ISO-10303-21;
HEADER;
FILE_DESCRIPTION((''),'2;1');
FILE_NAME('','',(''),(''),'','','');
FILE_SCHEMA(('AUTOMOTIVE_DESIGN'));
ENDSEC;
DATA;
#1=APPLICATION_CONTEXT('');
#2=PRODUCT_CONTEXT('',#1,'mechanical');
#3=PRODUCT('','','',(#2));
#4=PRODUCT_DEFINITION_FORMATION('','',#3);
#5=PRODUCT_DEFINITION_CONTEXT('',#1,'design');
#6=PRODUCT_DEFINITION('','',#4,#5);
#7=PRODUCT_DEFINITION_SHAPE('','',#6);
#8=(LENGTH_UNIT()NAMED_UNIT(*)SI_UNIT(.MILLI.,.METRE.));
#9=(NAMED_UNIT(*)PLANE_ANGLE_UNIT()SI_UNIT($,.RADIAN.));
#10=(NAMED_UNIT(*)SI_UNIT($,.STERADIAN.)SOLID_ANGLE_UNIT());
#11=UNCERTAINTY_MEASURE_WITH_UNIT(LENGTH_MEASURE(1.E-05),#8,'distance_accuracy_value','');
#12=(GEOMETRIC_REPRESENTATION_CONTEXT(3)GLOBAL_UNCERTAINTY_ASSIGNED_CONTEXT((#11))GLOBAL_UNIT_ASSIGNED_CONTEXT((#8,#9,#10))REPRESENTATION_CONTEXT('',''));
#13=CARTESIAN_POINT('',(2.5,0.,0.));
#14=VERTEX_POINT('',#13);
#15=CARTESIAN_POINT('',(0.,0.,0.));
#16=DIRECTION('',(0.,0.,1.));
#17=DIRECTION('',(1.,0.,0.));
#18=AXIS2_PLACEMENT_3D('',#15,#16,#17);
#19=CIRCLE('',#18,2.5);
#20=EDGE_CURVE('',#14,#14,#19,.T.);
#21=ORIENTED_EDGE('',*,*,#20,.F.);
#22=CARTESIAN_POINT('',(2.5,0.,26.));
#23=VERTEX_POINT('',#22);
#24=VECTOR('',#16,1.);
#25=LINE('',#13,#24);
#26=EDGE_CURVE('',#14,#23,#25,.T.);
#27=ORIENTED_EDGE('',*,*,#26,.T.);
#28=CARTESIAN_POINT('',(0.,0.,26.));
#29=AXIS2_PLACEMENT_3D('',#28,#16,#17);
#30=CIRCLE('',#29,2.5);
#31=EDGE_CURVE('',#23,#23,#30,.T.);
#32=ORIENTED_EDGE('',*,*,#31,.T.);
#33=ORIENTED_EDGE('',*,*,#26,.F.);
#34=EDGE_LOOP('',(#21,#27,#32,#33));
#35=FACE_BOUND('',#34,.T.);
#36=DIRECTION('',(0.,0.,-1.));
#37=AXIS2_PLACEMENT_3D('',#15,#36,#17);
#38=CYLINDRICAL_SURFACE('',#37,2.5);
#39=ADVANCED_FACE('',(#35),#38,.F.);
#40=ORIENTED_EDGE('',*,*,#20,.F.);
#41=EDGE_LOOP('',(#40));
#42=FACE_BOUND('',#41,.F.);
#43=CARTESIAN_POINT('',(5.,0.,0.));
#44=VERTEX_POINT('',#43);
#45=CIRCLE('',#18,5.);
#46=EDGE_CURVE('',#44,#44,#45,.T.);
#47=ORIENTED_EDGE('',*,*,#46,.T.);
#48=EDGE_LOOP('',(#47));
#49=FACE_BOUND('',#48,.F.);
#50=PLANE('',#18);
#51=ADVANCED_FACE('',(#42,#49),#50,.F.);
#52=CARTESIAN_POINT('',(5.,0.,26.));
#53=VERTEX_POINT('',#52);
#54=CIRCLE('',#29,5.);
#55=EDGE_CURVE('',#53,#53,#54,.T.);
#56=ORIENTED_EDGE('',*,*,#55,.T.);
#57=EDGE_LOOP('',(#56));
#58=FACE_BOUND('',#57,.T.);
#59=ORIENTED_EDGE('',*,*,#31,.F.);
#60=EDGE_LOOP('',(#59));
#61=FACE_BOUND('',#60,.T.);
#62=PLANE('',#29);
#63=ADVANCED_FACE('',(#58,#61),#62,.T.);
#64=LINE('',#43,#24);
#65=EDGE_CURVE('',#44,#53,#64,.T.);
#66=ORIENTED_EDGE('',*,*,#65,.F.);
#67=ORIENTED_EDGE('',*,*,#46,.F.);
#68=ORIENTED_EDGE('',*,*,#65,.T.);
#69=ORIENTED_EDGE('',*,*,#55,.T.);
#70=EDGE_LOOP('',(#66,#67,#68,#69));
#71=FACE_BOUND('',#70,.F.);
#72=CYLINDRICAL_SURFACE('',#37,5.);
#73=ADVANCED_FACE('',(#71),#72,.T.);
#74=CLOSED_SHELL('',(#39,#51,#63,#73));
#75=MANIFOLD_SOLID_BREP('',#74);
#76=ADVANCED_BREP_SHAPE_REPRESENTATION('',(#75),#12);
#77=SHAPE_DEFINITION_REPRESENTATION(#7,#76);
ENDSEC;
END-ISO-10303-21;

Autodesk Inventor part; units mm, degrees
ref_plane "YZ Plane" through (0, 0, 0) normal (1, 0, 0) x (0, 1, 0)
ref_plane "XZ Plane" through (0, 0, 0) normal (0, 1, 0) x (-1, 0, 0)
ref_plane "XY Plane" through (0, 0, 0) normal (0, 0, 1) x (1, 0, 0)
sketch "Skizze1" plane through (0, 0, 0) normal (0, 0, 1) x (1, 0, 0)
  circle A0 centre (0, 0) radius 5
  circle A1 centre (0, 0) radius 2.5
  dimension "d0" = 5
  dimension "d1" = 10
extrude "Extrusion1" add sketch "Skizze1" along normal blind 26
properties part number "LS_Cap"
